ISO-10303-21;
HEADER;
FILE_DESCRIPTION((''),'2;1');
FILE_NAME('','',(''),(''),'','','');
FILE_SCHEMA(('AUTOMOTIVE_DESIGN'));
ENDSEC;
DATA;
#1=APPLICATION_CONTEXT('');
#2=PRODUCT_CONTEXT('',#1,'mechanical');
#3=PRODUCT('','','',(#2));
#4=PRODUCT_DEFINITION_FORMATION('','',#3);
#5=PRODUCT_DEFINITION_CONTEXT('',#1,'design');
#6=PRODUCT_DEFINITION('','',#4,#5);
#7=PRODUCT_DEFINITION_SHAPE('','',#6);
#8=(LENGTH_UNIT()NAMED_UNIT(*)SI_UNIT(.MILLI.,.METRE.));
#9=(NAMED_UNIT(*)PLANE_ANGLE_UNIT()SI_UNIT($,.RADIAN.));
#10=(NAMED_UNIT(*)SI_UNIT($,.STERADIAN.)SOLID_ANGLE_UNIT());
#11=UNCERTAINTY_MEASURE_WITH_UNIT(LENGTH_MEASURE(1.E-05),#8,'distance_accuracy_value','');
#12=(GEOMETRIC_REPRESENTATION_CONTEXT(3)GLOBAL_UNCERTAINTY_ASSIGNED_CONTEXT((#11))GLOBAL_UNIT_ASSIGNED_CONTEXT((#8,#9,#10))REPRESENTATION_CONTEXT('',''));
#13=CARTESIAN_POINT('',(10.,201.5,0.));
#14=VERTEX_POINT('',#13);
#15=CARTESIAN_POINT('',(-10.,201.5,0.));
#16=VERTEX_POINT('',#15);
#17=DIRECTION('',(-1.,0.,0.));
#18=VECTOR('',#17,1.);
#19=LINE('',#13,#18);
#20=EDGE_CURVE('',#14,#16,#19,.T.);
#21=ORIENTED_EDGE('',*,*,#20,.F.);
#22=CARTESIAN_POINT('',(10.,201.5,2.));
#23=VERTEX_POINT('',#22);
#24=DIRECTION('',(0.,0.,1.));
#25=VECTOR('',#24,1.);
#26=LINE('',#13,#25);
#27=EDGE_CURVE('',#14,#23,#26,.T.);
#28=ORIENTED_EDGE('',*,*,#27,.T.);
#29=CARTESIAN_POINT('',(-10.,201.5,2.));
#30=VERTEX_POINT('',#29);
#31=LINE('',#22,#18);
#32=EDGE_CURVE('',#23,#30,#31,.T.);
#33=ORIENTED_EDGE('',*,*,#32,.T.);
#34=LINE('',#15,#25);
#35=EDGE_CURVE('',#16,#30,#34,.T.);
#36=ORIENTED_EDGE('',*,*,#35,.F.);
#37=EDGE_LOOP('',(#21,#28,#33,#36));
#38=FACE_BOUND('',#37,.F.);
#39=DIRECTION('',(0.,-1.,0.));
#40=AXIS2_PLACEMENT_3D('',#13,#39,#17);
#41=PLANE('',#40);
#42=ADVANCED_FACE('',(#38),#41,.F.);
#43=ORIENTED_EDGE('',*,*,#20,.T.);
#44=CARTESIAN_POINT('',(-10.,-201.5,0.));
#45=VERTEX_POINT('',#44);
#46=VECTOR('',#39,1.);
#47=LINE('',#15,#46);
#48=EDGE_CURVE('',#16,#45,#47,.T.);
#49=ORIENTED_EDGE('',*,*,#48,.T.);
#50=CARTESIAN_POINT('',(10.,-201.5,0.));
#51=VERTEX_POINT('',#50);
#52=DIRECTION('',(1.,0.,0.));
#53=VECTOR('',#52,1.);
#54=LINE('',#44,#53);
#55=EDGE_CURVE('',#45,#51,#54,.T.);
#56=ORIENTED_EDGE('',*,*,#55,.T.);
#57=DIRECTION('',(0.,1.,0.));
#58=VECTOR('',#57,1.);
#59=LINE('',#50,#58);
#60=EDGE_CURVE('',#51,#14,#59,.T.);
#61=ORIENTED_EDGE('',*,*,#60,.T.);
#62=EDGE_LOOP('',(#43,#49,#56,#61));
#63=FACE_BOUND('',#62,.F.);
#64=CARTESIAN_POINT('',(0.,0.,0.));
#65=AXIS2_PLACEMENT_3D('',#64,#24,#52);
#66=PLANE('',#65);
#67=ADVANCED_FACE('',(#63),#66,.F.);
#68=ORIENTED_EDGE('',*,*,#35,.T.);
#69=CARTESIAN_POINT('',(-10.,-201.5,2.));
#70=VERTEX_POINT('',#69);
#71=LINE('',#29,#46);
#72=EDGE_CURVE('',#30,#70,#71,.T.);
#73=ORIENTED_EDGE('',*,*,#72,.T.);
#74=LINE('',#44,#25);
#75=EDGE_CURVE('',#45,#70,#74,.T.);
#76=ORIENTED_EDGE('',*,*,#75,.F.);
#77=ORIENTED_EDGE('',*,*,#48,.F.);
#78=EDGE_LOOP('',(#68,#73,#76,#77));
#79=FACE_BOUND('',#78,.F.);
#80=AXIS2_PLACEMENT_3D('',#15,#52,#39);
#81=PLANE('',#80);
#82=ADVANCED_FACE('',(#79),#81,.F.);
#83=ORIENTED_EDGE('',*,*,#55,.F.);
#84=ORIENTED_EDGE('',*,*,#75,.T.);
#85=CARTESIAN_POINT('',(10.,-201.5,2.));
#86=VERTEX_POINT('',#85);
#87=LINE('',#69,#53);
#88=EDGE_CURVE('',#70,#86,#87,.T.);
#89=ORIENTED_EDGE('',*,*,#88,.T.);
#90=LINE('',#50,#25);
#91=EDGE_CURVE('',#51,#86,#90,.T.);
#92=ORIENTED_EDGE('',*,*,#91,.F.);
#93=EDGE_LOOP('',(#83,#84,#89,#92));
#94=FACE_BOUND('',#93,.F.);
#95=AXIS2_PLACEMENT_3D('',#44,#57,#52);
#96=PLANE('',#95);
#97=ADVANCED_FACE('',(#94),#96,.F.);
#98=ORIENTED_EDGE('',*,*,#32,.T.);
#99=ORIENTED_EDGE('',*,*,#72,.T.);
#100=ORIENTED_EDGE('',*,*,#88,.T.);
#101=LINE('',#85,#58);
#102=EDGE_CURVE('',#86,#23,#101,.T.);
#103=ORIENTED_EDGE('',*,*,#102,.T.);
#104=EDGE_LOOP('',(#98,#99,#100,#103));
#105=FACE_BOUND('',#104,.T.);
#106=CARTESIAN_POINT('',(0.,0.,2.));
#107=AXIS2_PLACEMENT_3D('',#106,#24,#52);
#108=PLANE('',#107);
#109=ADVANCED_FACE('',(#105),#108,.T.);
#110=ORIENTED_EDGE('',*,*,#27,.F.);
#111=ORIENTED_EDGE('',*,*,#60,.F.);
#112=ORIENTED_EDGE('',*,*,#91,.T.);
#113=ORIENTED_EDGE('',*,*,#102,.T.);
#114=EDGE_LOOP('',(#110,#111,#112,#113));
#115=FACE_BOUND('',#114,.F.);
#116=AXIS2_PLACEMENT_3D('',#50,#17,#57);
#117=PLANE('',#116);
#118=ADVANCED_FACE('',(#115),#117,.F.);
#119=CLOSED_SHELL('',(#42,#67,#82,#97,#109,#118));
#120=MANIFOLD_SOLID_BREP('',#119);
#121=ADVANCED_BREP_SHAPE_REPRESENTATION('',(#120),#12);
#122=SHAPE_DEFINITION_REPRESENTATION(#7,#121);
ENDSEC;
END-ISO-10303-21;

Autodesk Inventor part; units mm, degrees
ref_plane "YZ Plane" through (0, 0, 0) normal (1, 0, 0) x (0, 1, 0)
ref_plane "XZ Plane" through (0, 0, 0) normal (0, 1, 0) x (-1, 0, 0)
ref_plane "XY Plane" through (0, 0, 0) normal (0, 0, 1) x (1, 0, 0)
sketch "Sketch1" plane through (0, 0, 0) normal (0, 0, 1) x (1, 0, 0)
  line L0 (10, 201.5) -> (-10, -201.5) construction
  line L1 (-10, -201.5) -> (10, -201.5)
  line L2 (10, -201.5) -> (10, 201.5)
  line L3 (10, 201.5) -> (-10, 201.5)
  line L4 (-10, 201.5) -> (-10, -201.5)
  line L5 (-10, -201.5) -> (10, 201.5) construction
  line L6 (10, -201.5) -> (-10, 201.5) construction
  point P0 (0, 0)
  point P1 (-180, -201.5)
  point P2 (-10, -228.5)
  dimension "d2" = 20
  dimension "d18" = 403
extrude "Plate1" add sketch "Sketch1" along normal blind 2
equation "\"d3\" = Thickness"
equation "\"BendRadius\" = Thickness"
equation "\"BendReliefWidth\" = Thickness"
equation "\"BendReliefDepth\" = 0.5 * Thickness"
equation "\"CornerReliefSize\" = 4 * Thickness"
equation "\"MinimumRemnant\" = 2 * Thickness"
equation "\"TransitionRadius\" = BendRadius"
equation "\"JacobiRadiusSize\" = BendRadius"
equation "\"GapSize\" = Thickness"
equation "\"Thickness\" = 2"
properties part number "PNS waste water bin 09"
